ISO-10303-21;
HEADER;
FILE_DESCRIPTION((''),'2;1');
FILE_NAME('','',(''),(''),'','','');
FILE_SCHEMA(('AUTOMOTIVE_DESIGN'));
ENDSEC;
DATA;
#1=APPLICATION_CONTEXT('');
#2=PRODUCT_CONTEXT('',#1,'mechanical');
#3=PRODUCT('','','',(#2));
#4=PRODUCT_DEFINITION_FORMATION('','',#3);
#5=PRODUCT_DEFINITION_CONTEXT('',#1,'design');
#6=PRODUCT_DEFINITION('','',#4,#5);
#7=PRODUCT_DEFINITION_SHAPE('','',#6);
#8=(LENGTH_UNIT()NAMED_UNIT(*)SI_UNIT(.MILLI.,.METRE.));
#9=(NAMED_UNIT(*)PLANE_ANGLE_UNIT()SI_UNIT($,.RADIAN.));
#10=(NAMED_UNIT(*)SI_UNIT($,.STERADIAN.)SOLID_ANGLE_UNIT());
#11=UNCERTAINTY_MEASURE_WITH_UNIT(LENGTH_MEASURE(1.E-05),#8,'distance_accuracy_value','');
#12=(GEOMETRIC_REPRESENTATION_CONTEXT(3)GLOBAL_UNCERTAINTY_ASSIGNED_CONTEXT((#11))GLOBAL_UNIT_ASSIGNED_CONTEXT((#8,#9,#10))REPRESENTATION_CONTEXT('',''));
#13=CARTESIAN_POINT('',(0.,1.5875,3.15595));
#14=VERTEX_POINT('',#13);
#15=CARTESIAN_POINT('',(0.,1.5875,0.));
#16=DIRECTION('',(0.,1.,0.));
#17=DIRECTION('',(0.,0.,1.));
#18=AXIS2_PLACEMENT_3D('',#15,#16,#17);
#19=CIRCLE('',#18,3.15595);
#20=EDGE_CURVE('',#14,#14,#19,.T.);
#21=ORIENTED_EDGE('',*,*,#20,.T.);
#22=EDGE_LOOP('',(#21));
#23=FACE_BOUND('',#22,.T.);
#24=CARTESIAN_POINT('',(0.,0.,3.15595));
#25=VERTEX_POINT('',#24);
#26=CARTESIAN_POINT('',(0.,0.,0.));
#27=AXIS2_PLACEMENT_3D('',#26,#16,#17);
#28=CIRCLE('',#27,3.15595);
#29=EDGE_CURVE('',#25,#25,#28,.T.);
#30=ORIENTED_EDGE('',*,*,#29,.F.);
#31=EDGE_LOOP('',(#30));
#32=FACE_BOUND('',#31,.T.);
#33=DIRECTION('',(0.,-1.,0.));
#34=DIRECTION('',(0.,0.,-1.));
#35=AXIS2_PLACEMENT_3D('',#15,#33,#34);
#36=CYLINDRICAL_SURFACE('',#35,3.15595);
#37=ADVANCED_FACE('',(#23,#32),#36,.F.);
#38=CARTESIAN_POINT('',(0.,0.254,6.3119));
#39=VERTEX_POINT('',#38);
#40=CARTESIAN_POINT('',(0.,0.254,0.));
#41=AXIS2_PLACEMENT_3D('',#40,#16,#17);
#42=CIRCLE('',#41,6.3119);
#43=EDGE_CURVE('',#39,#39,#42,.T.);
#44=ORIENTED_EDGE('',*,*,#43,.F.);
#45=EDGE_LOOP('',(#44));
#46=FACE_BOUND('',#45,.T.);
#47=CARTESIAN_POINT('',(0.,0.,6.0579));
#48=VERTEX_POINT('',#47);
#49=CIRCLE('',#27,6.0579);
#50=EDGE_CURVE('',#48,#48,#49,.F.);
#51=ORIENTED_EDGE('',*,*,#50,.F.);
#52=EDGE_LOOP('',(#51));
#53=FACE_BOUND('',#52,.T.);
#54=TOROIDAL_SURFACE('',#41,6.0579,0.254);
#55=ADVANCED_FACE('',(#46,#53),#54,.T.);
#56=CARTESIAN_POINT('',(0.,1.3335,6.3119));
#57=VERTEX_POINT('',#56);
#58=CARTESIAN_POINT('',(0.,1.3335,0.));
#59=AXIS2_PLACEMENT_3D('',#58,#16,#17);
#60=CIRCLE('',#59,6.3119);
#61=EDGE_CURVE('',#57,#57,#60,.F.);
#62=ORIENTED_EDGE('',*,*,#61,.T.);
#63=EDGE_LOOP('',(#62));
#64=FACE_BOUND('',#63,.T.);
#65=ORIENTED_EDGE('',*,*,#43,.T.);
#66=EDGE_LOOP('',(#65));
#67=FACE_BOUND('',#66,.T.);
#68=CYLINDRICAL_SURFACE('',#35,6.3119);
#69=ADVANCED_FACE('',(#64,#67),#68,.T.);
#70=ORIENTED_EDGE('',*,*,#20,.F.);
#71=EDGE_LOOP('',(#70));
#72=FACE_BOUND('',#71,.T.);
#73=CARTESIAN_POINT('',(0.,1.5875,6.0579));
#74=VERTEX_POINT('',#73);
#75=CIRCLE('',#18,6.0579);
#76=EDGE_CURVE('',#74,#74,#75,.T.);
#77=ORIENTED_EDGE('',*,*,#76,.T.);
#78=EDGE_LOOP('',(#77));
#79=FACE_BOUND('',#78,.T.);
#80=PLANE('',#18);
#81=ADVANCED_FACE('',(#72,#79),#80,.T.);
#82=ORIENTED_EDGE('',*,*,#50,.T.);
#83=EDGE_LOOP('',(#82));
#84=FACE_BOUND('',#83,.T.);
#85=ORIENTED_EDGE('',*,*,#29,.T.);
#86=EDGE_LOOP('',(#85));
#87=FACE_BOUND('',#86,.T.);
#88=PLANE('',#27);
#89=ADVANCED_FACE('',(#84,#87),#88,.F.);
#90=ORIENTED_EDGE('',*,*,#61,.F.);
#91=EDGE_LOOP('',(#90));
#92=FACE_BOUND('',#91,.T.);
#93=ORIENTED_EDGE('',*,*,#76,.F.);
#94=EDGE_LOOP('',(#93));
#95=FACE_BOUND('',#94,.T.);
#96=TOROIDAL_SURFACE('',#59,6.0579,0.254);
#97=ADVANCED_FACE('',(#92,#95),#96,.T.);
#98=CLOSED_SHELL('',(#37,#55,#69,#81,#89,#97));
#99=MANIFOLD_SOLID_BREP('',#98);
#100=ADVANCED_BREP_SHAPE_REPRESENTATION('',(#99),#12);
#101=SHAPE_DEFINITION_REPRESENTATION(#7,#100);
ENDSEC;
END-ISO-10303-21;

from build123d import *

# Parameters (mm, degrees)
SKETCH1_R           = 6.3119
SKETCH1_R_2         = 3.15595
BOSS_EXTRUDE1_DEPTH = 1.5875
FILLET1_R           = 0.254


with BuildPart() as part:
    # Sketch1 → Boss-Extrude1 (new body)
    with BuildSketch(Plane(origin=(0, 0, 0), x_dir=(1, 0, 0), z_dir=(0, 1, 0))):
        with Locations(Location((0, 0, 0), (0, 0, 270))):
            Circle(SKETCH1_R)
        with Locations(Location((0, 0, 0), (0, 0, 270))):
            Circle(SKETCH1_R_2, mode=Mode.SUBTRACT)
    extrude(amount=BOSS_EXTRUDE1_DEPTH)

    # Fillet1
    fillet1_edges = [part.edges().sort_by_distance(p)[0] for p in [
        (0, 0, -6.3119),
        (0, 1.5875, -6.3119),
    ]]
    fillet(fillet1_edges, radius=FILLET1_R)


solid = part.part
